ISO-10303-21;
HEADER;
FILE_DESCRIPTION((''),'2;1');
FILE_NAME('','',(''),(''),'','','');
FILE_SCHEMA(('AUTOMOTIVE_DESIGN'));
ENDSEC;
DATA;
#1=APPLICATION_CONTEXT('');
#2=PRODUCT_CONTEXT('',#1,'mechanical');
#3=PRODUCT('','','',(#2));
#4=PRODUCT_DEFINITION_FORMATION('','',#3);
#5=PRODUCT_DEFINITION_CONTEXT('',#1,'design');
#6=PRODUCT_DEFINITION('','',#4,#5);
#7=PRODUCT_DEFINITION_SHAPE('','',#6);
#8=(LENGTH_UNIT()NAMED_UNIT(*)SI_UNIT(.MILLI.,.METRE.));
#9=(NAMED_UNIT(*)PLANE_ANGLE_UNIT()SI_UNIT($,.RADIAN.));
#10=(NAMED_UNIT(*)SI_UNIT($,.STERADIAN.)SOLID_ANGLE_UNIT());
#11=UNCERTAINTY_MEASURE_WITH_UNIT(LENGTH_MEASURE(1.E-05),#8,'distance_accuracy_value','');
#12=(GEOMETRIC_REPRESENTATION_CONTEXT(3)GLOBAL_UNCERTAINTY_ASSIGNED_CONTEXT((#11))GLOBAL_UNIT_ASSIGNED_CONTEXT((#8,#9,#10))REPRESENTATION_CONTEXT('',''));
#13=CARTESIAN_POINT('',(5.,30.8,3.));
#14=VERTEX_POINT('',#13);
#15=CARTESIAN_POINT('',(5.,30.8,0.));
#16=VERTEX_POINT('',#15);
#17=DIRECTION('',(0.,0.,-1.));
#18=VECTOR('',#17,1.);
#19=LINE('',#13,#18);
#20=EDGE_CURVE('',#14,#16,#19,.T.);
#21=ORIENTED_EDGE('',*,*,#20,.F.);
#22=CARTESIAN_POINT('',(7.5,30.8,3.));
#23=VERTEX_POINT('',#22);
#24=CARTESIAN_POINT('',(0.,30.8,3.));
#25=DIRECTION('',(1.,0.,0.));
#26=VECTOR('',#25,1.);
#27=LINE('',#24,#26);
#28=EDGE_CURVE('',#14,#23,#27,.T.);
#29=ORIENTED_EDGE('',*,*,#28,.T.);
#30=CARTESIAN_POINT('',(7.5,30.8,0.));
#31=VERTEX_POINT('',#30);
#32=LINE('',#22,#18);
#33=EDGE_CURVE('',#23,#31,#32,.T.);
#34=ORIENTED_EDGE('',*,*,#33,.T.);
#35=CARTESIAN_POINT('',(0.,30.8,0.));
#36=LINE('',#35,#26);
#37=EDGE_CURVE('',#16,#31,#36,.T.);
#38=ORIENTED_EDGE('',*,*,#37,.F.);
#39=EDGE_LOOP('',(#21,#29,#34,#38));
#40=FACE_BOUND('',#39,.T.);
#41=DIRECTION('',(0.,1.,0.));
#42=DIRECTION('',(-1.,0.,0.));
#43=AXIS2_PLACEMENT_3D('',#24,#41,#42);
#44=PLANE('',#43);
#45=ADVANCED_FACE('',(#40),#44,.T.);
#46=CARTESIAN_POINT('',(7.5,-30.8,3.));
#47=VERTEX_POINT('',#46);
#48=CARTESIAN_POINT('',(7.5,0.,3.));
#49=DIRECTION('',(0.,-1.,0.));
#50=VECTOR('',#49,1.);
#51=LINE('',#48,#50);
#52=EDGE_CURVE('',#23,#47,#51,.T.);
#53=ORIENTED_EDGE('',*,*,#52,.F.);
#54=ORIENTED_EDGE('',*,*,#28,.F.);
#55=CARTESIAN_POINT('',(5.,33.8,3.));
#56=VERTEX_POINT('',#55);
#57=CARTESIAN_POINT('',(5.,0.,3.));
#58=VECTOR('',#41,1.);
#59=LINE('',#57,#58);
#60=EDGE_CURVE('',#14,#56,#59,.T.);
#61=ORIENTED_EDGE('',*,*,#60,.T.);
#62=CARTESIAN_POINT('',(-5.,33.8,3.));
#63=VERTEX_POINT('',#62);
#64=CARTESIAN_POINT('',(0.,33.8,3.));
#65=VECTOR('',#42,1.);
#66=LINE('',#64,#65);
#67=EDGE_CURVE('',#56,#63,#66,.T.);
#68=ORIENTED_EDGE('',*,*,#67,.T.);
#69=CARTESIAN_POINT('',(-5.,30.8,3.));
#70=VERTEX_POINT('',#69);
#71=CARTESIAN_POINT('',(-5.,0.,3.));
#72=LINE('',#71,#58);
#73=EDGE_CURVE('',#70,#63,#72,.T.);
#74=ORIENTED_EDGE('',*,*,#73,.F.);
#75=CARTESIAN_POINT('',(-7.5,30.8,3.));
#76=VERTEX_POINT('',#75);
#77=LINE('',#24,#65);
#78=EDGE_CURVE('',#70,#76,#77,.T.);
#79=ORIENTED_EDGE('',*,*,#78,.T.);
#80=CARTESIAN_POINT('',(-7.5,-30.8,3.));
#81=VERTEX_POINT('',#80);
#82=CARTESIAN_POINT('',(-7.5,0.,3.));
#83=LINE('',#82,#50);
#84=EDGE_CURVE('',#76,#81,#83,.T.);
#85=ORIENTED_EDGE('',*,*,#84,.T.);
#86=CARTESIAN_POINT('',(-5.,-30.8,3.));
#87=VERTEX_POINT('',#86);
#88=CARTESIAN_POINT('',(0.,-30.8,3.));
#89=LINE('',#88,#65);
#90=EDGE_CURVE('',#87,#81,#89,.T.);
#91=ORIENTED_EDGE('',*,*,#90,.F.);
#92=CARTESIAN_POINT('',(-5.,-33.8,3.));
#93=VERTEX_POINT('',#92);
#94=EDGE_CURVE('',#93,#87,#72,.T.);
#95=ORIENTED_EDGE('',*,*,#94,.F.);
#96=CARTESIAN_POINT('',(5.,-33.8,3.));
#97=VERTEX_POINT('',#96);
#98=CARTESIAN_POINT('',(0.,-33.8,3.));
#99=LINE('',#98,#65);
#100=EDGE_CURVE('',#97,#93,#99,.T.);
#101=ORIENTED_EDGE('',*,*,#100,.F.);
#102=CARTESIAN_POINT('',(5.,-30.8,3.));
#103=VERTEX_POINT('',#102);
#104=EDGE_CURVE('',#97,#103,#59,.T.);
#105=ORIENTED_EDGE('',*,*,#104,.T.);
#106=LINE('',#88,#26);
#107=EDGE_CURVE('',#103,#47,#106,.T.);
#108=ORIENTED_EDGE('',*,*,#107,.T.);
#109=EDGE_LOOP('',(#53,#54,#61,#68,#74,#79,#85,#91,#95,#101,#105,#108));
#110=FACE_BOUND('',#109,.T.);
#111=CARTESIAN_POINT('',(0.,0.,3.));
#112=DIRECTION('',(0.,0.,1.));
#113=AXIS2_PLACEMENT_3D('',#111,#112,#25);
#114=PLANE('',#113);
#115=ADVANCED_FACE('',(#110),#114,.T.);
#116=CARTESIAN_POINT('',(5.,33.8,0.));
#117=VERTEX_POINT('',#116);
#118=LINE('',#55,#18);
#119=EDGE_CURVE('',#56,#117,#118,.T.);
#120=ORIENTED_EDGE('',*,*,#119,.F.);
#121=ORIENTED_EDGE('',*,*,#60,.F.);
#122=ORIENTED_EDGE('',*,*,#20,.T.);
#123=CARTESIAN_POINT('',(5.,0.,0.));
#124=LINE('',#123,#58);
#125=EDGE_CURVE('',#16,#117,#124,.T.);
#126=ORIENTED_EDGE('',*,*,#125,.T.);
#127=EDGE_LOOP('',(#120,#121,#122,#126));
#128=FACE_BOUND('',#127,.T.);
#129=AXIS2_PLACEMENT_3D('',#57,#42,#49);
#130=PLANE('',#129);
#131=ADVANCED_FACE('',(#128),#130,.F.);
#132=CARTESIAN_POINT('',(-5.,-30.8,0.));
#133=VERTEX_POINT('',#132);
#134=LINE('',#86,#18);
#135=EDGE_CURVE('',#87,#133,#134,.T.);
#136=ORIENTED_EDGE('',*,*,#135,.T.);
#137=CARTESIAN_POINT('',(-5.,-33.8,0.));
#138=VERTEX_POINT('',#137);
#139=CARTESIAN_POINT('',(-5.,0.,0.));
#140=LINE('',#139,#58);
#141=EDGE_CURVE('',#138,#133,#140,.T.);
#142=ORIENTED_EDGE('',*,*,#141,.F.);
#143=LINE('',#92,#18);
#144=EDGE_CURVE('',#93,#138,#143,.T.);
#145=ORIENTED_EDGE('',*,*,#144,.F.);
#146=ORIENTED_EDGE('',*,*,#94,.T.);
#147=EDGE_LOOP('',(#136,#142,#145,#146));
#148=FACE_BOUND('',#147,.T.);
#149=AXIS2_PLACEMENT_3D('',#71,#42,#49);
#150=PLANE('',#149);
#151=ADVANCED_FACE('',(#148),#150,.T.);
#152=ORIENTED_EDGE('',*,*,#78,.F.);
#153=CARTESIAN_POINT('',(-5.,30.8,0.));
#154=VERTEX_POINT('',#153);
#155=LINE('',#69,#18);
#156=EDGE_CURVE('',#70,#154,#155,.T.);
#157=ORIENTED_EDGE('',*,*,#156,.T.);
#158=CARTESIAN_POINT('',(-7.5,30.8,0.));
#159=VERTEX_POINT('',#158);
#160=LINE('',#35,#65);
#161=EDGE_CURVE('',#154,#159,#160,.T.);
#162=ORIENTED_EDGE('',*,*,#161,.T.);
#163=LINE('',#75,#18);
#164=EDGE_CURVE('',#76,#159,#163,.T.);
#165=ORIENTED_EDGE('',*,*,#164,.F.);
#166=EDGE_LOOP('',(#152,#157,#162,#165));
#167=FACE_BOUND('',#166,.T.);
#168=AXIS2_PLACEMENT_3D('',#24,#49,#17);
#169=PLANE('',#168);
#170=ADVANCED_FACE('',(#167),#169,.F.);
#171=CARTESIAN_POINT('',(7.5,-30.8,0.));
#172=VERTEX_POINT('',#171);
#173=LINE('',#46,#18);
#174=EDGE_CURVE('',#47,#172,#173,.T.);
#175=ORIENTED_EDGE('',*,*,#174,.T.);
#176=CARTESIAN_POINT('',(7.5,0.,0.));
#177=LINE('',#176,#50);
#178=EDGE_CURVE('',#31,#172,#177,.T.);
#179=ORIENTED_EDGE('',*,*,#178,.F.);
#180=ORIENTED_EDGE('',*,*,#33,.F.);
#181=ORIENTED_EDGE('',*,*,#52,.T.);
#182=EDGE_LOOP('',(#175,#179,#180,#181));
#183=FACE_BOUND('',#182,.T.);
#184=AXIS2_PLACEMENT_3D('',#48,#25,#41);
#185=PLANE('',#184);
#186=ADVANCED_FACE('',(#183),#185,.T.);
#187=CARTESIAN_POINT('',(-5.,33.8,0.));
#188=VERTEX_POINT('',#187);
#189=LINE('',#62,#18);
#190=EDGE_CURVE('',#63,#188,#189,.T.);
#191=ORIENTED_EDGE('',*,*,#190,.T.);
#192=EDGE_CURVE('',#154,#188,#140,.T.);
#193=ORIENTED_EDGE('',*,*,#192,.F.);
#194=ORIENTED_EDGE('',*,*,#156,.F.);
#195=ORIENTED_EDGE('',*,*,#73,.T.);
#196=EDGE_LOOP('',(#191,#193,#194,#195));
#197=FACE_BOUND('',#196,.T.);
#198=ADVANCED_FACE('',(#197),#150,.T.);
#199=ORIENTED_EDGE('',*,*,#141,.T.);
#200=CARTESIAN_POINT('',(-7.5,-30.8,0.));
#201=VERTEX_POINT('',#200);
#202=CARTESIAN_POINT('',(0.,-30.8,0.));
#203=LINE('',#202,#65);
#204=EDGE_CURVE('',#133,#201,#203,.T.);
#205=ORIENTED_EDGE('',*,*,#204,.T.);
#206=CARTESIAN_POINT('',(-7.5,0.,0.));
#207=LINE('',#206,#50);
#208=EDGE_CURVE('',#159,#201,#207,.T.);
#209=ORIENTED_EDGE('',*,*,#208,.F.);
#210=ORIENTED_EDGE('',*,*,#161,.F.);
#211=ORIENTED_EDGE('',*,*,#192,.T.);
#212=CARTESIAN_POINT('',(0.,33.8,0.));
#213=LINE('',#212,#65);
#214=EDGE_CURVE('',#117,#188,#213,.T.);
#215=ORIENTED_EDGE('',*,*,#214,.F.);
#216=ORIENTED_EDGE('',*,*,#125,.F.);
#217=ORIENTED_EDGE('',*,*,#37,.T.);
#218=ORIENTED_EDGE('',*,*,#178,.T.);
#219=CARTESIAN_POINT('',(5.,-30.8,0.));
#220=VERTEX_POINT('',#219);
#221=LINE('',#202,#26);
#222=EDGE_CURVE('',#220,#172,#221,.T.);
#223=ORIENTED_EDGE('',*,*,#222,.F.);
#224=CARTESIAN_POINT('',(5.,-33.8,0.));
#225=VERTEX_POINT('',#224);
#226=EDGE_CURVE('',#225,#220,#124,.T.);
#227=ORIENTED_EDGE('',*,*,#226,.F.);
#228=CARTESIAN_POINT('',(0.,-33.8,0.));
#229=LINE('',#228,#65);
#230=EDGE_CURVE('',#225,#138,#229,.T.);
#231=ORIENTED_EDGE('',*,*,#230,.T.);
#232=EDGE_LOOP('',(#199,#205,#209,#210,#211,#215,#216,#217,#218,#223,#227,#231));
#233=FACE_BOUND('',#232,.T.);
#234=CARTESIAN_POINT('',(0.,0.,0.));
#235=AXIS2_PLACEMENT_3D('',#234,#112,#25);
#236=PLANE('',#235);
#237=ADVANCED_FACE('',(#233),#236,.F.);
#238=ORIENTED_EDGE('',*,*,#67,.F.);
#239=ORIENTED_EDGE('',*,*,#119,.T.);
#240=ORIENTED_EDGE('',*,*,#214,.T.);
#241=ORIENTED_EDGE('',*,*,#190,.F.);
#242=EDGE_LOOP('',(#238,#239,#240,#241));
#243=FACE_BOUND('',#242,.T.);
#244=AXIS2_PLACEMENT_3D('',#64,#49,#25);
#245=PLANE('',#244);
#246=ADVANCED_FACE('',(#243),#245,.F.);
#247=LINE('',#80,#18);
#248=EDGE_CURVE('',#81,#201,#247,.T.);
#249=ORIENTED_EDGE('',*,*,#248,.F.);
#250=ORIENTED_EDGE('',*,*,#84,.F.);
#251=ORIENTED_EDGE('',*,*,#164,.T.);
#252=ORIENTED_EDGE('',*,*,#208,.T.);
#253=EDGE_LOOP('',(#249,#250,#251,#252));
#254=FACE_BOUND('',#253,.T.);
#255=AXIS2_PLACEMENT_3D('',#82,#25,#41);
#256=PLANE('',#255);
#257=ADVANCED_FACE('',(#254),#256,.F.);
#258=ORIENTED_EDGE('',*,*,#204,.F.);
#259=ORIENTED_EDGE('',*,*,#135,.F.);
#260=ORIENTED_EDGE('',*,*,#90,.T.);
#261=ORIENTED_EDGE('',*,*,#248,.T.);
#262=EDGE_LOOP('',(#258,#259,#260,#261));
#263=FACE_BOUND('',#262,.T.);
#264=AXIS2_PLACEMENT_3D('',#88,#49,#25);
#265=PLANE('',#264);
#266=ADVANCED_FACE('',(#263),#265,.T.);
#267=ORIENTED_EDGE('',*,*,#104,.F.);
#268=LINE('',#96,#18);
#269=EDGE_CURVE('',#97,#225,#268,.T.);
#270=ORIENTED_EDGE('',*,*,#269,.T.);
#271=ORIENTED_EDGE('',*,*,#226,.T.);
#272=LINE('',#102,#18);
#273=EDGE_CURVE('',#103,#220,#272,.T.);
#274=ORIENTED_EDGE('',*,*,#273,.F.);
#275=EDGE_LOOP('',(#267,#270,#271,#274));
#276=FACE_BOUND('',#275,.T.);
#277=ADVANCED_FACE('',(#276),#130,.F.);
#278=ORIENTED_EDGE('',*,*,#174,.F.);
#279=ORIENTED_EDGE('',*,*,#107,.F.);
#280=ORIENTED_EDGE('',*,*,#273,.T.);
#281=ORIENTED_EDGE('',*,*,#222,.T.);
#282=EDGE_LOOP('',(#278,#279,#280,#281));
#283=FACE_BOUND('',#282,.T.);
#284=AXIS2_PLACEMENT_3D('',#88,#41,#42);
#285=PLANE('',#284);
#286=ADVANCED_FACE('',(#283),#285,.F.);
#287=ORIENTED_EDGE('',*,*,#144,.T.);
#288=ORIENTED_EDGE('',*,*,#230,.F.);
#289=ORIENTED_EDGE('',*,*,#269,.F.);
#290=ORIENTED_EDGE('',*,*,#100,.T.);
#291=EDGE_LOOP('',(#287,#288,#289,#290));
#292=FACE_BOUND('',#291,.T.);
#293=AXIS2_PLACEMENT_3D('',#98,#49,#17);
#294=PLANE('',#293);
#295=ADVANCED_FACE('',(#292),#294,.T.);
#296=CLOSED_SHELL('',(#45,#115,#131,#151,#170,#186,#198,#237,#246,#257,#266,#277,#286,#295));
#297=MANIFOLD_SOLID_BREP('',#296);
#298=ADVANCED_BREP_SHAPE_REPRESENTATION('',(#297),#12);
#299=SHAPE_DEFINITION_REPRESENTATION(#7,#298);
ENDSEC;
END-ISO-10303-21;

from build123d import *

# Parameters (mm, degrees)
SKETCH1_W           = 2.5
SKETCH1_H           = 61.6
SKETCH1_W_2         = 10
SKETCH1_H_2         = 67.6
BOSS_EXTRUDE1_DEPTH = 3


with BuildPart() as part:
    # Sketch1 → Boss-Extrude1 (new body)
    with BuildSketch(Plane.XY):
        with Locations((-6.25, 0)):
            Rectangle(SKETCH1_W, SKETCH1_H)
        Rectangle(SKETCH1_W_2, SKETCH1_H_2)
        with Locations((6.25, 0)):
            Rectangle(SKETCH1_W, SKETCH1_H)
    extrude(amount=BOSS_EXTRUDE1_DEPTH)


solid = part.part
